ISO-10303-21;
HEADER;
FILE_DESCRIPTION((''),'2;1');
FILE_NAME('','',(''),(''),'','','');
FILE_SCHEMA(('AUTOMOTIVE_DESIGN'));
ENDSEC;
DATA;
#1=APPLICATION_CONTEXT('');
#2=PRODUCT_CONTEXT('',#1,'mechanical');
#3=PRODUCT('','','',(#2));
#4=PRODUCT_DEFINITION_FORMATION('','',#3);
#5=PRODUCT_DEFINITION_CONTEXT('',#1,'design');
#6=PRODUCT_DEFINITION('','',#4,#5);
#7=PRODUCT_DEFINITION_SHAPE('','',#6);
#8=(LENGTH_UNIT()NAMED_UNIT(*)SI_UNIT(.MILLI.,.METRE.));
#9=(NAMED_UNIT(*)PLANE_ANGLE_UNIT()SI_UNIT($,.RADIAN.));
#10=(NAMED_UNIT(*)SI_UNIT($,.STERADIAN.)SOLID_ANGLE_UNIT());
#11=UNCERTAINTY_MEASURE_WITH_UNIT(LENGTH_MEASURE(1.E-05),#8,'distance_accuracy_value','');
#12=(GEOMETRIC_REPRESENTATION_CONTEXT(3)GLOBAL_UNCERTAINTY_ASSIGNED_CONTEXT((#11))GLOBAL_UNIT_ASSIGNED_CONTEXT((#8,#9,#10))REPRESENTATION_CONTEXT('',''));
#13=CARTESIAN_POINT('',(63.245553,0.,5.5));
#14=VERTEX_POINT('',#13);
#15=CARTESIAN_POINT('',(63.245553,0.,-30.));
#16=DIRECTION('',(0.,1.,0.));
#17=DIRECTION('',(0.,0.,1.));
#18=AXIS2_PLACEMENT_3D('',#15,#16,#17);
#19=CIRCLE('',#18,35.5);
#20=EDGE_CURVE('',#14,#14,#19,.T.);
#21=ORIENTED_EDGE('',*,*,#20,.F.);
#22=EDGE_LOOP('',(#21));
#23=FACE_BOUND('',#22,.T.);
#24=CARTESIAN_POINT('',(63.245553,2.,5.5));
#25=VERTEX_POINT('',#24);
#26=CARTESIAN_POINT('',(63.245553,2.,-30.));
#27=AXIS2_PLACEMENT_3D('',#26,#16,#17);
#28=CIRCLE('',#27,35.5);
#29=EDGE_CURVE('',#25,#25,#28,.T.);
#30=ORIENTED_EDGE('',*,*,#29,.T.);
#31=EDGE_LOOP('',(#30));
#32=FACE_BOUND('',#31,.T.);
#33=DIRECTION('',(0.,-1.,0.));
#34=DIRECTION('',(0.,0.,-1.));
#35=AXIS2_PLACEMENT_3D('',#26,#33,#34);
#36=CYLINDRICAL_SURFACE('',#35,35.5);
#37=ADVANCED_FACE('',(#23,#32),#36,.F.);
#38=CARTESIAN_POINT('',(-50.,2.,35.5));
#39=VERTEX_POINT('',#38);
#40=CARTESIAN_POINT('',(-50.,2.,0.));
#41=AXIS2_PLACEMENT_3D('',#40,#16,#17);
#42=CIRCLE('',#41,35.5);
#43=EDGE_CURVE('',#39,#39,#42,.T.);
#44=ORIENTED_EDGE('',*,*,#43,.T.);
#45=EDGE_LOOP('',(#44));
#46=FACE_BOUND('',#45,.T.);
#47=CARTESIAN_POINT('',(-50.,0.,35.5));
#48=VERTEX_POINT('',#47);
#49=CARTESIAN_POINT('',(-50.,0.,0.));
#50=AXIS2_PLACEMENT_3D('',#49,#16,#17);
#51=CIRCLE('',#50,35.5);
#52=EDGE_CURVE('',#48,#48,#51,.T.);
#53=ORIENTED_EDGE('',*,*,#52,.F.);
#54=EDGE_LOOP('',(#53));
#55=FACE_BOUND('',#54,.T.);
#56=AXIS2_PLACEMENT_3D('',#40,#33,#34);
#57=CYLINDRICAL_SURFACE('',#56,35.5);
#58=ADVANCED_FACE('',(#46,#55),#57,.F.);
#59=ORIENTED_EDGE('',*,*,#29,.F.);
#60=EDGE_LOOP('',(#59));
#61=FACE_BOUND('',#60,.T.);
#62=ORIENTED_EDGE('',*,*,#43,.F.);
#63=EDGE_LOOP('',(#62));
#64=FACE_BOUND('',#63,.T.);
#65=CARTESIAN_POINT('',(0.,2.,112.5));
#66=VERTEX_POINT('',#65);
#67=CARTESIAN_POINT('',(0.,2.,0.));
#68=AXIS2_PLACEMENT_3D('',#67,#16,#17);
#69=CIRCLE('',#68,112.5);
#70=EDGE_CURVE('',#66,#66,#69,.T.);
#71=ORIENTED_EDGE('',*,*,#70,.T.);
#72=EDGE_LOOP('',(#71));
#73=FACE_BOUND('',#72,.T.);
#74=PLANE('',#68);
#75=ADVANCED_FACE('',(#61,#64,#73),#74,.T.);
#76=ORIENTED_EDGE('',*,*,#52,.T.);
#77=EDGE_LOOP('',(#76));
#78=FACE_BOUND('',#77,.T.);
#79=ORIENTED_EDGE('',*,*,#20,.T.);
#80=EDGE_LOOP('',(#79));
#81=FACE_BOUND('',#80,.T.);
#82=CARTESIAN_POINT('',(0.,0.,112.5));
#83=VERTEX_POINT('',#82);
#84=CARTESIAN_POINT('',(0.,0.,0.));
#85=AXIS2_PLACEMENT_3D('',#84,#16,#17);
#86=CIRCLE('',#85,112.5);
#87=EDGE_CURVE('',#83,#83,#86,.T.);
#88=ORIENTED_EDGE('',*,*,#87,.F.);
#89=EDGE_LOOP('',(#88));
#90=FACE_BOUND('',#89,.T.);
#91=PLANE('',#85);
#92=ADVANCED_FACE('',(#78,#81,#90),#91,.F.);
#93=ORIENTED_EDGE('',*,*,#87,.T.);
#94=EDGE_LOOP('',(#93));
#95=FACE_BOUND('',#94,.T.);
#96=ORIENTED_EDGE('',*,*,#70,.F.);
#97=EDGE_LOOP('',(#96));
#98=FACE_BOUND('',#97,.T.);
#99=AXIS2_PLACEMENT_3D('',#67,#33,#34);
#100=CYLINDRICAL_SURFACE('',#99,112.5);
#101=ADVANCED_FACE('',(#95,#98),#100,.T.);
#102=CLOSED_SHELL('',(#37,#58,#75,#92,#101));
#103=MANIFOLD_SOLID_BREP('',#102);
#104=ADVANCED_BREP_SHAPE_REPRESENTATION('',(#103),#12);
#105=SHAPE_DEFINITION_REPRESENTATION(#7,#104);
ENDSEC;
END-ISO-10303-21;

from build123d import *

# Parameters (mm, degrees)
IZIM1_R                     = 112.5
IZIM1_R_2                   = 35.5
Y_KSEKLIK_EKSTR_ZYON1_DEPTH = 2


with BuildPart() as part:
    # Çizim1 → Yükseklik-Ekstrüzyon1 (new body)
    with BuildSketch(Plane(origin=(0, 0, 0), x_dir=(1, 0, 0), z_dir=(0, 1, 0))):
        Circle(IZIM1_R)
        with Locations((63.245553203, 30)):
            Circle(IZIM1_R_2, mode=Mode.SUBTRACT)
        with Locations((-50, 0)):
            Circle(IZIM1_R_2, mode=Mode.SUBTRACT)
    extrude(amount=Y_KSEKLIK_EKSTR_ZYON1_DEPTH)


solid = part.part
